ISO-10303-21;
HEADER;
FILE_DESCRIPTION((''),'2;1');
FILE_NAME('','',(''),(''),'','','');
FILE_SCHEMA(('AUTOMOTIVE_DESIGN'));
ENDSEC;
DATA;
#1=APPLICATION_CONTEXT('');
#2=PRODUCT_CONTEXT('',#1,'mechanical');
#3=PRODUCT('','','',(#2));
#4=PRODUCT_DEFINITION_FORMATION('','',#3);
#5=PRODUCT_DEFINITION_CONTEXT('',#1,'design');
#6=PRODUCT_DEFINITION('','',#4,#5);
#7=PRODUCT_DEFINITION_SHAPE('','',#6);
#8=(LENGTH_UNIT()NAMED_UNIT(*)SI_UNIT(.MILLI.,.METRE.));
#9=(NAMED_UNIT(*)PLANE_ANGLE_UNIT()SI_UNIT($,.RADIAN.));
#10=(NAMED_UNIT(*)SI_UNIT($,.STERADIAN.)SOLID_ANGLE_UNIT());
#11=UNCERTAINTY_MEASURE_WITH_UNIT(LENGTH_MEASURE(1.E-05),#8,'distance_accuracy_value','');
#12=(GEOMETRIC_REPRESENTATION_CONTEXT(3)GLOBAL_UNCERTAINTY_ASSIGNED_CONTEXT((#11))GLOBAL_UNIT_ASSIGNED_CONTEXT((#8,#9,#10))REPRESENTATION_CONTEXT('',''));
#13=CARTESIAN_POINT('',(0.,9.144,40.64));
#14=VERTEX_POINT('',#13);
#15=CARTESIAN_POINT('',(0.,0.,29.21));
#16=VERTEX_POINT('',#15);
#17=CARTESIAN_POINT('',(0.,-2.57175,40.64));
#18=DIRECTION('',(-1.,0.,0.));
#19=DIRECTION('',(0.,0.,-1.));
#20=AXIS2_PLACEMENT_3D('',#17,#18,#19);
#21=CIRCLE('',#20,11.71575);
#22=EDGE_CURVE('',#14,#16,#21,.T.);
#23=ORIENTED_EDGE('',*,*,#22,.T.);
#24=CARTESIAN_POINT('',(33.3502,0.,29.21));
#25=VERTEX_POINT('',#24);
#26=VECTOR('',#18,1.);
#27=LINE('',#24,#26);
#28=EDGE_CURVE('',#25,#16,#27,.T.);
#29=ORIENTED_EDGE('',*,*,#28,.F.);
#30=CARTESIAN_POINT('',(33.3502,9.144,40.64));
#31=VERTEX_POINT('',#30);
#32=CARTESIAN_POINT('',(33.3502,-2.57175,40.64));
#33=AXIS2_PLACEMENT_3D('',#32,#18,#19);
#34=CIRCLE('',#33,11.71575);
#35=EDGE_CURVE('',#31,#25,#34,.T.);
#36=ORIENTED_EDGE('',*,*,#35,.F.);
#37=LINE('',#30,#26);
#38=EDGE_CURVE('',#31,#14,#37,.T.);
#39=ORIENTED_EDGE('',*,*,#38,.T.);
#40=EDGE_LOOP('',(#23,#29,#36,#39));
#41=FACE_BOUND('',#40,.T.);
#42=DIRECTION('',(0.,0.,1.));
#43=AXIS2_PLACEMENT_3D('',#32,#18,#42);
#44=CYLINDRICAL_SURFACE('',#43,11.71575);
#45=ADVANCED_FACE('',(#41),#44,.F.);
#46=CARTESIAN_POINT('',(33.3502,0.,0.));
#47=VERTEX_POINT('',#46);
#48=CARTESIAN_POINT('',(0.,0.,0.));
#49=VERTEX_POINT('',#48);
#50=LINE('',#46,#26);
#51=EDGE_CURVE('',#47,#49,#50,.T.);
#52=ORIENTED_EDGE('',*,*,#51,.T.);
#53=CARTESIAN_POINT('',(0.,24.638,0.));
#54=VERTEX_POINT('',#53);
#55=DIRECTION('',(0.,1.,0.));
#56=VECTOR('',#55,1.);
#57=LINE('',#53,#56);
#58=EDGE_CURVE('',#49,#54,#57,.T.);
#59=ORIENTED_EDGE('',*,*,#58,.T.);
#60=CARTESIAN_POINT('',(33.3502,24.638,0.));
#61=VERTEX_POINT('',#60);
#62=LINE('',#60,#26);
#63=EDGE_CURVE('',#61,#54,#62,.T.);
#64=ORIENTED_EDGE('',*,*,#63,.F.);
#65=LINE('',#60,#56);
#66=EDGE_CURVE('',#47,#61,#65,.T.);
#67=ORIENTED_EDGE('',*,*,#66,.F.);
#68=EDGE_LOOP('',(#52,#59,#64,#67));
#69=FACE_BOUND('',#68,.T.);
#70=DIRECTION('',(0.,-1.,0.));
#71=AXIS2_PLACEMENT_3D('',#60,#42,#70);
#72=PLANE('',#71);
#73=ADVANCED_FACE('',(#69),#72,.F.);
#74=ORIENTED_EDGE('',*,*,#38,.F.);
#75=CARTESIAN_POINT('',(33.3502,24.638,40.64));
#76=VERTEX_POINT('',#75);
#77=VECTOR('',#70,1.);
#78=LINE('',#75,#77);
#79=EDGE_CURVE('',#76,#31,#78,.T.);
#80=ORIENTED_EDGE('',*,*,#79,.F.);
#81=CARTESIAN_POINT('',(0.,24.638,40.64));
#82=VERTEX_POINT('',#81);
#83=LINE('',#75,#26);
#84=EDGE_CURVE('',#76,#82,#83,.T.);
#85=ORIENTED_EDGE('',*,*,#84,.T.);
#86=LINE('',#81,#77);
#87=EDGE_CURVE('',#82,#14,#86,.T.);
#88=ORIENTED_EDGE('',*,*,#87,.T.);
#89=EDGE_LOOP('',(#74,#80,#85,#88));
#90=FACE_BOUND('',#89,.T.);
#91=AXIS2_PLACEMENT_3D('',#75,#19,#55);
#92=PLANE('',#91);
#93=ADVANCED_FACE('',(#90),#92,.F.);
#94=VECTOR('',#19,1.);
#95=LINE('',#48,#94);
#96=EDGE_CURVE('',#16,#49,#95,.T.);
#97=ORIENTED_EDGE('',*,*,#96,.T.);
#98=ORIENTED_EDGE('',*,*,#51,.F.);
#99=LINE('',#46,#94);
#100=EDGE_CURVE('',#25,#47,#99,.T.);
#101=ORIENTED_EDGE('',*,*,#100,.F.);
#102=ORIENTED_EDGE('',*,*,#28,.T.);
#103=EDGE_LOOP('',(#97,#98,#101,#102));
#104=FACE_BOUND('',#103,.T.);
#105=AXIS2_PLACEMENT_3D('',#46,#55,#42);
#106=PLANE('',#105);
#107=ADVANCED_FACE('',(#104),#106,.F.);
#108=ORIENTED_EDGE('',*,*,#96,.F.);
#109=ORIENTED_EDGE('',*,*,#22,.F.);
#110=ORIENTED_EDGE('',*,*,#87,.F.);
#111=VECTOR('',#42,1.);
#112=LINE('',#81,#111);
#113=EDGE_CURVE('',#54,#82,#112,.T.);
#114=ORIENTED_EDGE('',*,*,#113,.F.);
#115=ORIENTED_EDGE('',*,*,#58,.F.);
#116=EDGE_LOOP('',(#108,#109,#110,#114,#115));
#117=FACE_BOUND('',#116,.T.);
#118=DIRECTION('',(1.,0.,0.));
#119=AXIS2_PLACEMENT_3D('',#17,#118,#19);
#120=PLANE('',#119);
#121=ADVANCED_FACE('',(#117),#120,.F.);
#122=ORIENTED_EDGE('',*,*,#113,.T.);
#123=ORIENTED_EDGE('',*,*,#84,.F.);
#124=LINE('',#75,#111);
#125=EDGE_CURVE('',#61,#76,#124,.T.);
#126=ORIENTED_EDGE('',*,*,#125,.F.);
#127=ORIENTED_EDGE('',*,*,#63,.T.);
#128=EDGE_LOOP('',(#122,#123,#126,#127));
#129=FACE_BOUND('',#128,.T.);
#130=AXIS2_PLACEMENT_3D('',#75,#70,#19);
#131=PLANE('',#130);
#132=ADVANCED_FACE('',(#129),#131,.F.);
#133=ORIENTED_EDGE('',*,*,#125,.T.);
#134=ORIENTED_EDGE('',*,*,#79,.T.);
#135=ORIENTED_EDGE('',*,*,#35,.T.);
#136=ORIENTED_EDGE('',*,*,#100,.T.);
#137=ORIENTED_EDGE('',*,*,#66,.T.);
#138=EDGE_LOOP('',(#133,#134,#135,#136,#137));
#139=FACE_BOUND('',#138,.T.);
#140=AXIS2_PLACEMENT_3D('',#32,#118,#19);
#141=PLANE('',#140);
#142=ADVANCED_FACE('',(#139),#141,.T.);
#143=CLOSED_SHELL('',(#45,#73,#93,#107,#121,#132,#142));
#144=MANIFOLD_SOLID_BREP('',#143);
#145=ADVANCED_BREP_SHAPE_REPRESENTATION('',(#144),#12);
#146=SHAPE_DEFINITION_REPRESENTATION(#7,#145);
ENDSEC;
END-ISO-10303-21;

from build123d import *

# Parameters (mm, degrees)
BOSS_EXTRUDE1_DEPTH = 33.3502


with BuildPart() as part:
    # Sketch1 → Boss-Extrude1 (new body)
    with BuildSketch(Plane(origin=(0, 0, 0), x_dir=(0, 0, -1), z_dir=(1, 0, 0))):
        with BuildLine():
            Line((-40.64, 24.638), (0, 24.638))
            Line((0, 24.638), (0, 0))
            Line((0, 0), (-29.21, 0))
            ThreePointArc((-29.21, 0), (-33.321228997, 6.576713754), (-40.64, 9.144))
            Line((-40.64, 9.144), (-40.64, 24.638))
        make_face()
    extrude(amount=BOSS_EXTRUDE1_DEPTH)


solid = part.part
